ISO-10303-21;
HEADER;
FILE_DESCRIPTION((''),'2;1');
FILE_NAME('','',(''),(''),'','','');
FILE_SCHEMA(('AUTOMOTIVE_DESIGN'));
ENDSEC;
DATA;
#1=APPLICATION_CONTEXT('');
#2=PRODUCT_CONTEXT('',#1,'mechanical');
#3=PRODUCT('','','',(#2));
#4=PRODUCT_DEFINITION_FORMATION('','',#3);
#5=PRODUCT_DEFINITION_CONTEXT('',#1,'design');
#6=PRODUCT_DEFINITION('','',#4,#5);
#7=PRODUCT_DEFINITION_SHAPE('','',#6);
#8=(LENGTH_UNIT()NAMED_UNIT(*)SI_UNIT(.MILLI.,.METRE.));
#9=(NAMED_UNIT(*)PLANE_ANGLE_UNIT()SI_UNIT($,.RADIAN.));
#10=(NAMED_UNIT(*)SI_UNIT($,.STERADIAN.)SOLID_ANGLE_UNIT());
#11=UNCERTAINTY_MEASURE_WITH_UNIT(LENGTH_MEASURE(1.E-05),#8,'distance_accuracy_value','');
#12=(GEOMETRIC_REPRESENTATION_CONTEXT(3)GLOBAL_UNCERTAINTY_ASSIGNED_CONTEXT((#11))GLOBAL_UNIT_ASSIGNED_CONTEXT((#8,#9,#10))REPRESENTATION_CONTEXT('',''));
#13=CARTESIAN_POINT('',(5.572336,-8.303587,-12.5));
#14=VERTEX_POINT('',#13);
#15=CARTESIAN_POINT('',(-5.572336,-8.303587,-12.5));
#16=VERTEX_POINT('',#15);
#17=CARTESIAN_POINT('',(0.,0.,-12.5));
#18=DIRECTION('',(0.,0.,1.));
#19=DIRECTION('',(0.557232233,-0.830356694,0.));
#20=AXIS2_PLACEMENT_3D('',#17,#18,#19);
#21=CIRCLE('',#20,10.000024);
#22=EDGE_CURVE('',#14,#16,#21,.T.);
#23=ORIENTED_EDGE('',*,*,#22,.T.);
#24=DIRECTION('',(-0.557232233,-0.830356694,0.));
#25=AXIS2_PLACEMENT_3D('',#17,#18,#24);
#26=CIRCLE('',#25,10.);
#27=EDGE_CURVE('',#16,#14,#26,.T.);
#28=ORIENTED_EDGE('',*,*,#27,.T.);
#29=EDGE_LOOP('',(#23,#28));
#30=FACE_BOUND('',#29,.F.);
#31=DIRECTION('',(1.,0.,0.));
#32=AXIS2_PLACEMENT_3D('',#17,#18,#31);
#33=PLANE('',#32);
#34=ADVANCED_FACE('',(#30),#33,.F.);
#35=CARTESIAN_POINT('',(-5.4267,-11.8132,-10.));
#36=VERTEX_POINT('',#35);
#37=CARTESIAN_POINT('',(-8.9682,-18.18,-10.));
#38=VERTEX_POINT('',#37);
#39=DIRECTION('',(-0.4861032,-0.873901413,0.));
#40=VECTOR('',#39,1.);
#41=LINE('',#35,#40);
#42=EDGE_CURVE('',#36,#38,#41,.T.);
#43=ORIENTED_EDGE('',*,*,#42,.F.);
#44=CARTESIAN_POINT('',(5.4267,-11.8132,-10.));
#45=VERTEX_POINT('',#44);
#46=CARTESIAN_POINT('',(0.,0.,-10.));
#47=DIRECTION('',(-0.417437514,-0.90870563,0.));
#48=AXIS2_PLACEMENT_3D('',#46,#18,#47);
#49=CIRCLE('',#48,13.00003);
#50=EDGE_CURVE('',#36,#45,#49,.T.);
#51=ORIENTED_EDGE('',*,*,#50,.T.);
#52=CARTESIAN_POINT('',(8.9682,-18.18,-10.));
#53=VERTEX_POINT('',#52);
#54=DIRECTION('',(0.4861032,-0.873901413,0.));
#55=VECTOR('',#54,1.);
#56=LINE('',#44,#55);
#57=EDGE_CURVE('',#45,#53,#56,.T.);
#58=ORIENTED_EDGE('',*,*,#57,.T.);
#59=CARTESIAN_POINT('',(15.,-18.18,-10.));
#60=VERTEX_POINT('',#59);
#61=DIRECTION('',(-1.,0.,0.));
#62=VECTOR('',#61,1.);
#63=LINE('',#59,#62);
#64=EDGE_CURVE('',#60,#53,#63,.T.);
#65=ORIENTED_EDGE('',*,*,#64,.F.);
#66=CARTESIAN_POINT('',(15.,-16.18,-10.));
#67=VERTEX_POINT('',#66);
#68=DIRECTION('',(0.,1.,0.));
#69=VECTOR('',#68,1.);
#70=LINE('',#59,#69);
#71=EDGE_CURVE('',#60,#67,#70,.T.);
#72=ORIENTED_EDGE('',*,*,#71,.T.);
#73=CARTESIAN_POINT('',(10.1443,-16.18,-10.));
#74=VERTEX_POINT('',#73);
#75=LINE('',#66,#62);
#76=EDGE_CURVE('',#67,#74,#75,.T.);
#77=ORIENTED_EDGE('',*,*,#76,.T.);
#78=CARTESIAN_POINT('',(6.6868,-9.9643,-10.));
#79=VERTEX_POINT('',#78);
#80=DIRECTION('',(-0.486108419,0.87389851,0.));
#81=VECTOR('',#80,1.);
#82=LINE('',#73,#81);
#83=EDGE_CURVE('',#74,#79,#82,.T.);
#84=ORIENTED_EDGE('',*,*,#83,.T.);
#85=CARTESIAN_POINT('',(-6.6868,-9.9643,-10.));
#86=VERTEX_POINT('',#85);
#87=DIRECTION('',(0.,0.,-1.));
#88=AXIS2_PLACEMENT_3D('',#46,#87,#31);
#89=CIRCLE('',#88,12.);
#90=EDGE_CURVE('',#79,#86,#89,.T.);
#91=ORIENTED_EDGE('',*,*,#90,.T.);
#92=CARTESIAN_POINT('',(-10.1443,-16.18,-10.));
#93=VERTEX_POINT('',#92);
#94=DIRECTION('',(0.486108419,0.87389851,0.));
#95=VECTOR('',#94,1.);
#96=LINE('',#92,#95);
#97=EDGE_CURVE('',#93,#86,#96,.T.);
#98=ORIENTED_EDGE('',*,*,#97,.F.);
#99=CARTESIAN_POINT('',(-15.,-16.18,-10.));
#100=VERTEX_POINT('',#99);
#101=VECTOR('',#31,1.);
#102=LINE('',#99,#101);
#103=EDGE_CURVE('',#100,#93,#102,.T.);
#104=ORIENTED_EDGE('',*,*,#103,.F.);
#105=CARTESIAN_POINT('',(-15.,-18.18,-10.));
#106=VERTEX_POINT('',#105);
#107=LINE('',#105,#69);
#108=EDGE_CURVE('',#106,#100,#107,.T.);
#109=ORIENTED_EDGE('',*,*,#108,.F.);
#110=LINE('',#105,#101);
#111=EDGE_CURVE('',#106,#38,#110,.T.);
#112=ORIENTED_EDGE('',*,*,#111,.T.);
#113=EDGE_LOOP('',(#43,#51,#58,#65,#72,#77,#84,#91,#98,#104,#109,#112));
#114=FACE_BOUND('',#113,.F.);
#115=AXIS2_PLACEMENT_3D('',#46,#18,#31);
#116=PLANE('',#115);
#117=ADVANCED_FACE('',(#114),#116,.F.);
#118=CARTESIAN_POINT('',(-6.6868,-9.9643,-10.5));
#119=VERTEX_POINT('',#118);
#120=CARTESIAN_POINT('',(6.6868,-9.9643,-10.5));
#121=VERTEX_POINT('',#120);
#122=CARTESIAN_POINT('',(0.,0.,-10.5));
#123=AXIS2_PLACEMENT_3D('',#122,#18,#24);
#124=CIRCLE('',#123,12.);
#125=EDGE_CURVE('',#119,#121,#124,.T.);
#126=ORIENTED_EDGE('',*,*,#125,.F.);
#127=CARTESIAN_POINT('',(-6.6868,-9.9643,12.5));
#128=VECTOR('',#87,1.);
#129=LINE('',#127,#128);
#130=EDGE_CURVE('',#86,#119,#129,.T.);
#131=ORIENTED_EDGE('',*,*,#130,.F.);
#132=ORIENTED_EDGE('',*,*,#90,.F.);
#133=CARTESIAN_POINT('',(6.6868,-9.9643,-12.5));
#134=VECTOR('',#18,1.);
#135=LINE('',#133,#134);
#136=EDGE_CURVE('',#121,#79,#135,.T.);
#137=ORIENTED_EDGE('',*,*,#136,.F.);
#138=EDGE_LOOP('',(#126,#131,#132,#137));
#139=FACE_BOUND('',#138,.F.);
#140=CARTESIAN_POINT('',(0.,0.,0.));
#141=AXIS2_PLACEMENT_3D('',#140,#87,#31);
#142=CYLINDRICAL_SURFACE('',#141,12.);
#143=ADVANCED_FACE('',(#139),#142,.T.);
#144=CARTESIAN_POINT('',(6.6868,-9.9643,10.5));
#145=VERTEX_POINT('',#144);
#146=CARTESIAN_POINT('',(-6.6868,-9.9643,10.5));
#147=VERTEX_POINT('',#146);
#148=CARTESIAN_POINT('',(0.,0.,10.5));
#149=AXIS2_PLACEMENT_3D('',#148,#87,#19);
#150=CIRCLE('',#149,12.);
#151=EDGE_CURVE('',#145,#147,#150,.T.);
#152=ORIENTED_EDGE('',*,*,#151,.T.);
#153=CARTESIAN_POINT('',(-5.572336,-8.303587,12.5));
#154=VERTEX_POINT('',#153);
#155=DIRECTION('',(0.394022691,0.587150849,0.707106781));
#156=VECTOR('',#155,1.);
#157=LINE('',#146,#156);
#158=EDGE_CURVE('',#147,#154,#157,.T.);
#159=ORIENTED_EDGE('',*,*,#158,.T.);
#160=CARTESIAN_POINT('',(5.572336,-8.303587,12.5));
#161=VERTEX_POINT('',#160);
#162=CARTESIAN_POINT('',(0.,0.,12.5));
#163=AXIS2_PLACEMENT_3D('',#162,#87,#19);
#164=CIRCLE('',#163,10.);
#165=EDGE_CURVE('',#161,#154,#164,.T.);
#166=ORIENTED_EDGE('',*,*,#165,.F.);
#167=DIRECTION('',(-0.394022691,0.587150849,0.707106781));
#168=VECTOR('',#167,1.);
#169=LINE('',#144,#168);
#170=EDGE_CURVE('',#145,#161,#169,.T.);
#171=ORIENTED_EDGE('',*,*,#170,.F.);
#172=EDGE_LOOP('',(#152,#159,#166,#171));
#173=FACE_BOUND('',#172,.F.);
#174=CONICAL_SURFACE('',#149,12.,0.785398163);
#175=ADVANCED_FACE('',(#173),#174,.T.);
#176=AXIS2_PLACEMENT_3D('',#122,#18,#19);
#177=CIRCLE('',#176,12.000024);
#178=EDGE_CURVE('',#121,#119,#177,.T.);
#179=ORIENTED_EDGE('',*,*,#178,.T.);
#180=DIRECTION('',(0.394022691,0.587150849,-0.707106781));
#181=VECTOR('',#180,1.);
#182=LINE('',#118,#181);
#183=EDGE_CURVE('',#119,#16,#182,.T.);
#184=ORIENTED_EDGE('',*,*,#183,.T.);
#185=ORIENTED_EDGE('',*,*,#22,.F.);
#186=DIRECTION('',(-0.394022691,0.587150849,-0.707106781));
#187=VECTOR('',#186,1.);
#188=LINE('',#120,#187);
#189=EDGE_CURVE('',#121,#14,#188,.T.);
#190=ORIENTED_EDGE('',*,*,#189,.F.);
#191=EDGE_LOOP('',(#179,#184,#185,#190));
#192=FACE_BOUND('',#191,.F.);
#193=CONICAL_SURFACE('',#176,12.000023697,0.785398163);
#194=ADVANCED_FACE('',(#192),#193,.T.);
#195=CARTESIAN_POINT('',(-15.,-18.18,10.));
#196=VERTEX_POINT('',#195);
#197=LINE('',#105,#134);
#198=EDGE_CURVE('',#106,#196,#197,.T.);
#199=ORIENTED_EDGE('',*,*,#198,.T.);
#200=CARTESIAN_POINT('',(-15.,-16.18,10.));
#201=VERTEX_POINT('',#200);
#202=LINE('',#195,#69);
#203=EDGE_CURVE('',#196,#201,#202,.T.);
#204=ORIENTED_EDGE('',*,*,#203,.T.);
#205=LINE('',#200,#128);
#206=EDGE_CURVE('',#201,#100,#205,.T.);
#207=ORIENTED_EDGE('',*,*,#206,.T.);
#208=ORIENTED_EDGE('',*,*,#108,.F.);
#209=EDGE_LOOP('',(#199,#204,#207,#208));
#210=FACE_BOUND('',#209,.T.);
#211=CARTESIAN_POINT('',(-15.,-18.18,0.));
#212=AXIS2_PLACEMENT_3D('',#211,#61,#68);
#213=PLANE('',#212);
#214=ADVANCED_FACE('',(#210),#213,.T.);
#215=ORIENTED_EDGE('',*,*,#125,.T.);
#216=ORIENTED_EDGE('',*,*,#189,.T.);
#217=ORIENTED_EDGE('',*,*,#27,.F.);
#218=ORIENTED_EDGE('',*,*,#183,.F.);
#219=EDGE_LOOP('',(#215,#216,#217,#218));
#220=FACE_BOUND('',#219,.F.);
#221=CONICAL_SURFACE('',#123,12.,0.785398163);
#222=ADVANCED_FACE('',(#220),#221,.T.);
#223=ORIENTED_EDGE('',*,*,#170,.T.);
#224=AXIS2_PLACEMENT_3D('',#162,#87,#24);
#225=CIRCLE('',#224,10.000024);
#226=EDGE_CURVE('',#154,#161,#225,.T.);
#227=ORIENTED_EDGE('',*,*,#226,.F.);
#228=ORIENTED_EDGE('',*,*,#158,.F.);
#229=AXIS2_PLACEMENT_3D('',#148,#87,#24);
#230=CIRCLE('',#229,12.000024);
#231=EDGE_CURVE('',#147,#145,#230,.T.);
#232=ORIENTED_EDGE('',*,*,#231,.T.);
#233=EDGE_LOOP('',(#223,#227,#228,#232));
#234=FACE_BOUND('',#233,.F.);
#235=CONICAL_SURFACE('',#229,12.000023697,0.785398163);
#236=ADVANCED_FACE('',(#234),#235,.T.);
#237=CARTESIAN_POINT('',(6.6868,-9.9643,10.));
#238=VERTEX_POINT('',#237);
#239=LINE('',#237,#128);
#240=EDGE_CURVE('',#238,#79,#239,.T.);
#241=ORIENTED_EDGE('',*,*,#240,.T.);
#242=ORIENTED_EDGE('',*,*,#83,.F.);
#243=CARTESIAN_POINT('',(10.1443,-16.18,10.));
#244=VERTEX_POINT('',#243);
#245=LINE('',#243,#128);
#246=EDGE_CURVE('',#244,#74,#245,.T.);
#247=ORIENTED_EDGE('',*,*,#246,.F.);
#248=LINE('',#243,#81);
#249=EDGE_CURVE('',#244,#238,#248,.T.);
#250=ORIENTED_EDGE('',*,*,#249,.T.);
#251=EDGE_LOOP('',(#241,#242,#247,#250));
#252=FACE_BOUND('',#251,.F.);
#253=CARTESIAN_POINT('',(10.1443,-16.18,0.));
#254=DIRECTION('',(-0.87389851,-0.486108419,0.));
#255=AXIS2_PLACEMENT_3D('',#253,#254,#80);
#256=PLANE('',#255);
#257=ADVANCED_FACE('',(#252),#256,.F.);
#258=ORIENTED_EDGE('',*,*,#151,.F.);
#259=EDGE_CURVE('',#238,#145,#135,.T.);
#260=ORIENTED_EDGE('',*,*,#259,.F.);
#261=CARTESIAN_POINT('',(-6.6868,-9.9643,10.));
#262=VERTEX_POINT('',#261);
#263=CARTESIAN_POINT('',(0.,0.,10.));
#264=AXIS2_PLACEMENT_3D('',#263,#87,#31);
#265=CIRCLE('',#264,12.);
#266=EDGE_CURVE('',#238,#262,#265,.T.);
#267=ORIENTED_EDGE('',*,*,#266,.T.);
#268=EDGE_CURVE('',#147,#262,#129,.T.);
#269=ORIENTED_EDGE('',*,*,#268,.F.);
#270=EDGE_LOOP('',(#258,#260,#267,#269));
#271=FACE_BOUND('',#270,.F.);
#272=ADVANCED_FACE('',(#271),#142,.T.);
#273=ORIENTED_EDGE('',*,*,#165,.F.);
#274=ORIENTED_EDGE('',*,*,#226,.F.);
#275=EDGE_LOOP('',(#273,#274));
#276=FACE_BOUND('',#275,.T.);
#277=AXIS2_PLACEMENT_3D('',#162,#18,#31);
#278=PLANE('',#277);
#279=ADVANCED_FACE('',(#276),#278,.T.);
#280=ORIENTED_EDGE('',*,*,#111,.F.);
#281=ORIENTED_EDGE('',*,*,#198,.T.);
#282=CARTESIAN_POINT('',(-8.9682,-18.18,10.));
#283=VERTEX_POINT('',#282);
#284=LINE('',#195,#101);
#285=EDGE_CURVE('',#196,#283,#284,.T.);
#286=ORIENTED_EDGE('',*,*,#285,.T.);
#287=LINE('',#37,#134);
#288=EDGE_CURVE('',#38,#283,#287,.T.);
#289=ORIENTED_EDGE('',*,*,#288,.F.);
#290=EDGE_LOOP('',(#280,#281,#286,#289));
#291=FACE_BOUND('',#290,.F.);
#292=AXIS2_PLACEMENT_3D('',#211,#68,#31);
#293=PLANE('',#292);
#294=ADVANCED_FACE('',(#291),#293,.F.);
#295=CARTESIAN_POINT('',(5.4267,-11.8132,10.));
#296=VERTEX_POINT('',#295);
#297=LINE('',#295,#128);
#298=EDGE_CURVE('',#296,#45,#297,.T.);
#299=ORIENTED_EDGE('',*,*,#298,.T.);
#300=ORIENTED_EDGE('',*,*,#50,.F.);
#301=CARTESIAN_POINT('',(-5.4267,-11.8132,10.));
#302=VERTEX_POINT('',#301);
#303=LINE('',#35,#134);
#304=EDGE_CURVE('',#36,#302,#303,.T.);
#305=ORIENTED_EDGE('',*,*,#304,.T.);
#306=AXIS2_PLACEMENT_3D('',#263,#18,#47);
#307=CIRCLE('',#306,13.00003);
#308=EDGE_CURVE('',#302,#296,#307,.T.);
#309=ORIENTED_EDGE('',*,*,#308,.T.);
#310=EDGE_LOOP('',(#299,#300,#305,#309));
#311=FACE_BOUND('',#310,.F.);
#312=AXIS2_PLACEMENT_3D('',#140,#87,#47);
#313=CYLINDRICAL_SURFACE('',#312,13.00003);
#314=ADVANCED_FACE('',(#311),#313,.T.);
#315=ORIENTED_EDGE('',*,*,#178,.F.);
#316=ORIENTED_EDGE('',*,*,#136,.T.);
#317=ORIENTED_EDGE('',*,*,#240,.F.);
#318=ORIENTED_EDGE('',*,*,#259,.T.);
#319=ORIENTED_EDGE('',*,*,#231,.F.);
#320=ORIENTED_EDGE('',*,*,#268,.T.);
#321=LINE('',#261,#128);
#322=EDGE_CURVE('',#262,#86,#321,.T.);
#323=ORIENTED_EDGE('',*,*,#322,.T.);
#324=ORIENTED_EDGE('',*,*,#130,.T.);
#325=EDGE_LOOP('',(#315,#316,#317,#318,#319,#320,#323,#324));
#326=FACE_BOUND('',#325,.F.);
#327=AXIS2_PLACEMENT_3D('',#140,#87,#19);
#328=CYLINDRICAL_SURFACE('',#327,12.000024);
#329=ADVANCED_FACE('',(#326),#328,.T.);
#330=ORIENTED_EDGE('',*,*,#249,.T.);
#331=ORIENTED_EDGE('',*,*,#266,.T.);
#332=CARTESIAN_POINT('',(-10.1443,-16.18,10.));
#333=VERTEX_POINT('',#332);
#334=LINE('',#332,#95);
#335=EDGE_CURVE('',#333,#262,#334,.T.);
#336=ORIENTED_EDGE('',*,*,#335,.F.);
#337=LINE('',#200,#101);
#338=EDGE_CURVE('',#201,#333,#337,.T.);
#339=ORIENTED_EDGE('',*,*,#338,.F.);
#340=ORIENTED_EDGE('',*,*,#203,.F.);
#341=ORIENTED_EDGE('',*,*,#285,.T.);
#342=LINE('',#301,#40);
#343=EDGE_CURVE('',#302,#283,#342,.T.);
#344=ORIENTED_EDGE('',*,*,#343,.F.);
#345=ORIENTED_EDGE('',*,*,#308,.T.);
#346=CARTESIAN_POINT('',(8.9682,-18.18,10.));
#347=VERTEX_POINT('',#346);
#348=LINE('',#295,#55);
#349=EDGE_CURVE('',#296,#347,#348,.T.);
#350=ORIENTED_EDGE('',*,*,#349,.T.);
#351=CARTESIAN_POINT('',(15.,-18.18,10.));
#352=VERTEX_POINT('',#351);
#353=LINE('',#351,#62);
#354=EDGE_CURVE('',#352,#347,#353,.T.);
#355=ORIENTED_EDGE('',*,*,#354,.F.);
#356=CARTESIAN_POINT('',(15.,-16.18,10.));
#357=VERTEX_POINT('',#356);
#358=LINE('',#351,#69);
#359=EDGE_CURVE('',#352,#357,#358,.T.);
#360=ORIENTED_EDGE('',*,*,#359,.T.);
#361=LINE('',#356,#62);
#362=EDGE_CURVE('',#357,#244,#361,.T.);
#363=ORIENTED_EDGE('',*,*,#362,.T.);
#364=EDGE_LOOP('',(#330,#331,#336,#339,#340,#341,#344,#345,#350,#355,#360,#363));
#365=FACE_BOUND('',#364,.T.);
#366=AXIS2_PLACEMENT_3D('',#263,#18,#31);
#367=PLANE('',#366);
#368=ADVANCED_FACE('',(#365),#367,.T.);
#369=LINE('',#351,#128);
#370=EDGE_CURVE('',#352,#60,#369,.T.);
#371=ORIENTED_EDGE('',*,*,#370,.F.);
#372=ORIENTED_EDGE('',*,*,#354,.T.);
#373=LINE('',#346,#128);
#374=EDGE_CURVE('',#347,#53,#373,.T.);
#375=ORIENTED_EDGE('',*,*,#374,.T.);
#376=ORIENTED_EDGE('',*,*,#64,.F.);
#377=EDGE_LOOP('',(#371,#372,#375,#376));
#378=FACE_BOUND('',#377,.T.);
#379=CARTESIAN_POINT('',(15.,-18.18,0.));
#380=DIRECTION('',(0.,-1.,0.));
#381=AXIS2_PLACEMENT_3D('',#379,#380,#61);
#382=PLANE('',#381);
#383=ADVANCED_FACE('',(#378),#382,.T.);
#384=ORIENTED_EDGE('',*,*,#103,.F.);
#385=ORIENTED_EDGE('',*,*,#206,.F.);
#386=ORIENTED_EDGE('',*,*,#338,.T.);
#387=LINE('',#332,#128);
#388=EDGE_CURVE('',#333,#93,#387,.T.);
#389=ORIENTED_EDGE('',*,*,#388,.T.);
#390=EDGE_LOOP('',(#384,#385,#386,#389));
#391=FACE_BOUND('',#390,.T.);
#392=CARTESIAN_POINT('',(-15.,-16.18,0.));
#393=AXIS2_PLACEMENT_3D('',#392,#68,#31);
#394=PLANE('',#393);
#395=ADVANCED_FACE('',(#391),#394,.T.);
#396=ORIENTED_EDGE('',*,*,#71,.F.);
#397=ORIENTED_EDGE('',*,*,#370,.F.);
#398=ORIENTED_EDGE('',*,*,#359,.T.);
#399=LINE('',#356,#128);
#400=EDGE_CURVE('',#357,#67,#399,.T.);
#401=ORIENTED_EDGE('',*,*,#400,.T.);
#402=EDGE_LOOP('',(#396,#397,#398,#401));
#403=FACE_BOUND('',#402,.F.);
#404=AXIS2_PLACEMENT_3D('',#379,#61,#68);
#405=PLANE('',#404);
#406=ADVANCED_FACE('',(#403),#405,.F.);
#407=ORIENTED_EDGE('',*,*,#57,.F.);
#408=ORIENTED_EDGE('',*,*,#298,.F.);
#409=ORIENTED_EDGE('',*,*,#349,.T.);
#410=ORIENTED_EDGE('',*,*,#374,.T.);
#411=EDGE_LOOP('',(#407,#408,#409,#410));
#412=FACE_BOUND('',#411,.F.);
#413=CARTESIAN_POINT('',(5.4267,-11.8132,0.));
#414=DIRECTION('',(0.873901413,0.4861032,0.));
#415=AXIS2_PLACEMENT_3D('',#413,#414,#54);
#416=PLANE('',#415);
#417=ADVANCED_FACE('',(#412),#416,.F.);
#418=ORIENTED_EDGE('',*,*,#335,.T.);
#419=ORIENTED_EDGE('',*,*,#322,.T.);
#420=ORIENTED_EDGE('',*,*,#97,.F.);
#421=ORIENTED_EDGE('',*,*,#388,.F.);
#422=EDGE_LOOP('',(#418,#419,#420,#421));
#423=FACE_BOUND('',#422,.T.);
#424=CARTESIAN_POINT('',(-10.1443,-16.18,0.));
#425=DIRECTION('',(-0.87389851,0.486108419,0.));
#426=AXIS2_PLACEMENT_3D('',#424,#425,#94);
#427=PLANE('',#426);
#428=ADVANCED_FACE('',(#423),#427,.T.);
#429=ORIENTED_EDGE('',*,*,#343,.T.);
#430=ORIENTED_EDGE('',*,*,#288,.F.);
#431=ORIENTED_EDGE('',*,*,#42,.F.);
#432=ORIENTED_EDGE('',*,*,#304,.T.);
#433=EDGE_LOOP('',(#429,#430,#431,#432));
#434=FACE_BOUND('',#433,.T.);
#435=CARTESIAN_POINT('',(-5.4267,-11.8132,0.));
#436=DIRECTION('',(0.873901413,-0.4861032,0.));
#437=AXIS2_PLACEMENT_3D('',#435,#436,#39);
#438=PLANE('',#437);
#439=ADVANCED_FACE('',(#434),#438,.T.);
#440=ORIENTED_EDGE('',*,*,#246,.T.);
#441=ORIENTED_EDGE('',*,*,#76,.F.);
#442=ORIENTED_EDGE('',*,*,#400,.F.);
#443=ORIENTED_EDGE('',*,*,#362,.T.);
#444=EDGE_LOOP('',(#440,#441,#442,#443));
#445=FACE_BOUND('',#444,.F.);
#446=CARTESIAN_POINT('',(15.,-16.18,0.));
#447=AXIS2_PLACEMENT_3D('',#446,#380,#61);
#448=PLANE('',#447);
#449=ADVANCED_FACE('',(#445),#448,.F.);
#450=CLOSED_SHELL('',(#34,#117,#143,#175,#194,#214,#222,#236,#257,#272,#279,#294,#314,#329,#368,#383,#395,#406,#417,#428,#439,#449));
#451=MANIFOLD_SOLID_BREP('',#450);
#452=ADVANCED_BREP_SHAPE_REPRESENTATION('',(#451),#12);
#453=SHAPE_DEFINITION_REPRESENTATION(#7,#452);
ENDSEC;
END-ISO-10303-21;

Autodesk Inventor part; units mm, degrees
ref_plane "YZ Plane" through (0, 0, 0) normal (1, 0, 0) x (0, 1, 0)
ref_plane "XZ Plane" through (0, 0, 0) normal (0, 1, 0) x (-1, 0, 0)
ref_plane "XY Plane" through (0, 0, 0) normal (0, 0, 1) x (1, 0, 0)
sketch "Sketch1" plane through (0, 0, 0) normal (0, 0, 1) x (1, 0, 0)
  line L0 (0, 0) -> (0, -18.18) construction
  line L1 (0, -18.18) -> (-15, -18.18) construction
  line L2 (-15, -18.18) -> (-15, -16.18)
  line L3 (-15, -16.18) -> (-9, -16.18) construction
  line L4 (-9, -16.18) -> (0, 0) construction
  line L5 (-10.1443, -16.18) -> (-6.6868, -9.9643)
  line L6 (-5.4267, -11.8132) -> (-8.9682, -18.18)
  line L7 (-15, -16.18) -> (-10.1443, -16.18)
  line L8 (-15, -18.18) -> (-8.9682, -18.18)
  line L9 (15, -18.18) -> (15, -16.18)
  line L10 (15, -16.18) -> (9, -16.18) construction
  line L11 (10.1443, -16.18) -> (6.6868, -9.9643)
  line L12 (5.4267, -11.8132) -> (8.9682, -18.18)
  line L13 (15, -16.18) -> (10.1443, -16.18)
  line L14 (15, -18.18) -> (8.9682, -18.18)
  arc A0 (-5.4267, -11.8132) -> (5.4267, -11.8132) centre (0, 0) ccw
  arc A1 (6.6868, -9.9643) -> (-6.6868, -9.9643) centre (0, 0) ccw
  dimension "d1" = 15
  dimension "d2" = 18.18
  dimension "d3" = 2
  dimension "d4" = 6
  dimension "d5" = 1
  dimension "d6" = 2
  dimension "d9" = 12
  dimension "d10" = 13
extrude "Extrusion1" add sketch "Sketch1" along normal mid plane 20
sketch "Sketch2" plane through (0, 0, 0) normal (0, 0, 1) x (1, 0, 0)
  arc A0 (6.6868, -9.9643) -> (-6.6868, -9.9643) centre (0, 0) ccw projected
  circle A1 centre (0, 0) radius 12
extrude "Extrusion2" add sketch "Sketch2" along normal mid plane 25
chamfer "Chamfer1" distance 2 angle 45 2 edges at (-12, 0, 12.5) (-12, 0, -12.5)
properties part number "Motor"
